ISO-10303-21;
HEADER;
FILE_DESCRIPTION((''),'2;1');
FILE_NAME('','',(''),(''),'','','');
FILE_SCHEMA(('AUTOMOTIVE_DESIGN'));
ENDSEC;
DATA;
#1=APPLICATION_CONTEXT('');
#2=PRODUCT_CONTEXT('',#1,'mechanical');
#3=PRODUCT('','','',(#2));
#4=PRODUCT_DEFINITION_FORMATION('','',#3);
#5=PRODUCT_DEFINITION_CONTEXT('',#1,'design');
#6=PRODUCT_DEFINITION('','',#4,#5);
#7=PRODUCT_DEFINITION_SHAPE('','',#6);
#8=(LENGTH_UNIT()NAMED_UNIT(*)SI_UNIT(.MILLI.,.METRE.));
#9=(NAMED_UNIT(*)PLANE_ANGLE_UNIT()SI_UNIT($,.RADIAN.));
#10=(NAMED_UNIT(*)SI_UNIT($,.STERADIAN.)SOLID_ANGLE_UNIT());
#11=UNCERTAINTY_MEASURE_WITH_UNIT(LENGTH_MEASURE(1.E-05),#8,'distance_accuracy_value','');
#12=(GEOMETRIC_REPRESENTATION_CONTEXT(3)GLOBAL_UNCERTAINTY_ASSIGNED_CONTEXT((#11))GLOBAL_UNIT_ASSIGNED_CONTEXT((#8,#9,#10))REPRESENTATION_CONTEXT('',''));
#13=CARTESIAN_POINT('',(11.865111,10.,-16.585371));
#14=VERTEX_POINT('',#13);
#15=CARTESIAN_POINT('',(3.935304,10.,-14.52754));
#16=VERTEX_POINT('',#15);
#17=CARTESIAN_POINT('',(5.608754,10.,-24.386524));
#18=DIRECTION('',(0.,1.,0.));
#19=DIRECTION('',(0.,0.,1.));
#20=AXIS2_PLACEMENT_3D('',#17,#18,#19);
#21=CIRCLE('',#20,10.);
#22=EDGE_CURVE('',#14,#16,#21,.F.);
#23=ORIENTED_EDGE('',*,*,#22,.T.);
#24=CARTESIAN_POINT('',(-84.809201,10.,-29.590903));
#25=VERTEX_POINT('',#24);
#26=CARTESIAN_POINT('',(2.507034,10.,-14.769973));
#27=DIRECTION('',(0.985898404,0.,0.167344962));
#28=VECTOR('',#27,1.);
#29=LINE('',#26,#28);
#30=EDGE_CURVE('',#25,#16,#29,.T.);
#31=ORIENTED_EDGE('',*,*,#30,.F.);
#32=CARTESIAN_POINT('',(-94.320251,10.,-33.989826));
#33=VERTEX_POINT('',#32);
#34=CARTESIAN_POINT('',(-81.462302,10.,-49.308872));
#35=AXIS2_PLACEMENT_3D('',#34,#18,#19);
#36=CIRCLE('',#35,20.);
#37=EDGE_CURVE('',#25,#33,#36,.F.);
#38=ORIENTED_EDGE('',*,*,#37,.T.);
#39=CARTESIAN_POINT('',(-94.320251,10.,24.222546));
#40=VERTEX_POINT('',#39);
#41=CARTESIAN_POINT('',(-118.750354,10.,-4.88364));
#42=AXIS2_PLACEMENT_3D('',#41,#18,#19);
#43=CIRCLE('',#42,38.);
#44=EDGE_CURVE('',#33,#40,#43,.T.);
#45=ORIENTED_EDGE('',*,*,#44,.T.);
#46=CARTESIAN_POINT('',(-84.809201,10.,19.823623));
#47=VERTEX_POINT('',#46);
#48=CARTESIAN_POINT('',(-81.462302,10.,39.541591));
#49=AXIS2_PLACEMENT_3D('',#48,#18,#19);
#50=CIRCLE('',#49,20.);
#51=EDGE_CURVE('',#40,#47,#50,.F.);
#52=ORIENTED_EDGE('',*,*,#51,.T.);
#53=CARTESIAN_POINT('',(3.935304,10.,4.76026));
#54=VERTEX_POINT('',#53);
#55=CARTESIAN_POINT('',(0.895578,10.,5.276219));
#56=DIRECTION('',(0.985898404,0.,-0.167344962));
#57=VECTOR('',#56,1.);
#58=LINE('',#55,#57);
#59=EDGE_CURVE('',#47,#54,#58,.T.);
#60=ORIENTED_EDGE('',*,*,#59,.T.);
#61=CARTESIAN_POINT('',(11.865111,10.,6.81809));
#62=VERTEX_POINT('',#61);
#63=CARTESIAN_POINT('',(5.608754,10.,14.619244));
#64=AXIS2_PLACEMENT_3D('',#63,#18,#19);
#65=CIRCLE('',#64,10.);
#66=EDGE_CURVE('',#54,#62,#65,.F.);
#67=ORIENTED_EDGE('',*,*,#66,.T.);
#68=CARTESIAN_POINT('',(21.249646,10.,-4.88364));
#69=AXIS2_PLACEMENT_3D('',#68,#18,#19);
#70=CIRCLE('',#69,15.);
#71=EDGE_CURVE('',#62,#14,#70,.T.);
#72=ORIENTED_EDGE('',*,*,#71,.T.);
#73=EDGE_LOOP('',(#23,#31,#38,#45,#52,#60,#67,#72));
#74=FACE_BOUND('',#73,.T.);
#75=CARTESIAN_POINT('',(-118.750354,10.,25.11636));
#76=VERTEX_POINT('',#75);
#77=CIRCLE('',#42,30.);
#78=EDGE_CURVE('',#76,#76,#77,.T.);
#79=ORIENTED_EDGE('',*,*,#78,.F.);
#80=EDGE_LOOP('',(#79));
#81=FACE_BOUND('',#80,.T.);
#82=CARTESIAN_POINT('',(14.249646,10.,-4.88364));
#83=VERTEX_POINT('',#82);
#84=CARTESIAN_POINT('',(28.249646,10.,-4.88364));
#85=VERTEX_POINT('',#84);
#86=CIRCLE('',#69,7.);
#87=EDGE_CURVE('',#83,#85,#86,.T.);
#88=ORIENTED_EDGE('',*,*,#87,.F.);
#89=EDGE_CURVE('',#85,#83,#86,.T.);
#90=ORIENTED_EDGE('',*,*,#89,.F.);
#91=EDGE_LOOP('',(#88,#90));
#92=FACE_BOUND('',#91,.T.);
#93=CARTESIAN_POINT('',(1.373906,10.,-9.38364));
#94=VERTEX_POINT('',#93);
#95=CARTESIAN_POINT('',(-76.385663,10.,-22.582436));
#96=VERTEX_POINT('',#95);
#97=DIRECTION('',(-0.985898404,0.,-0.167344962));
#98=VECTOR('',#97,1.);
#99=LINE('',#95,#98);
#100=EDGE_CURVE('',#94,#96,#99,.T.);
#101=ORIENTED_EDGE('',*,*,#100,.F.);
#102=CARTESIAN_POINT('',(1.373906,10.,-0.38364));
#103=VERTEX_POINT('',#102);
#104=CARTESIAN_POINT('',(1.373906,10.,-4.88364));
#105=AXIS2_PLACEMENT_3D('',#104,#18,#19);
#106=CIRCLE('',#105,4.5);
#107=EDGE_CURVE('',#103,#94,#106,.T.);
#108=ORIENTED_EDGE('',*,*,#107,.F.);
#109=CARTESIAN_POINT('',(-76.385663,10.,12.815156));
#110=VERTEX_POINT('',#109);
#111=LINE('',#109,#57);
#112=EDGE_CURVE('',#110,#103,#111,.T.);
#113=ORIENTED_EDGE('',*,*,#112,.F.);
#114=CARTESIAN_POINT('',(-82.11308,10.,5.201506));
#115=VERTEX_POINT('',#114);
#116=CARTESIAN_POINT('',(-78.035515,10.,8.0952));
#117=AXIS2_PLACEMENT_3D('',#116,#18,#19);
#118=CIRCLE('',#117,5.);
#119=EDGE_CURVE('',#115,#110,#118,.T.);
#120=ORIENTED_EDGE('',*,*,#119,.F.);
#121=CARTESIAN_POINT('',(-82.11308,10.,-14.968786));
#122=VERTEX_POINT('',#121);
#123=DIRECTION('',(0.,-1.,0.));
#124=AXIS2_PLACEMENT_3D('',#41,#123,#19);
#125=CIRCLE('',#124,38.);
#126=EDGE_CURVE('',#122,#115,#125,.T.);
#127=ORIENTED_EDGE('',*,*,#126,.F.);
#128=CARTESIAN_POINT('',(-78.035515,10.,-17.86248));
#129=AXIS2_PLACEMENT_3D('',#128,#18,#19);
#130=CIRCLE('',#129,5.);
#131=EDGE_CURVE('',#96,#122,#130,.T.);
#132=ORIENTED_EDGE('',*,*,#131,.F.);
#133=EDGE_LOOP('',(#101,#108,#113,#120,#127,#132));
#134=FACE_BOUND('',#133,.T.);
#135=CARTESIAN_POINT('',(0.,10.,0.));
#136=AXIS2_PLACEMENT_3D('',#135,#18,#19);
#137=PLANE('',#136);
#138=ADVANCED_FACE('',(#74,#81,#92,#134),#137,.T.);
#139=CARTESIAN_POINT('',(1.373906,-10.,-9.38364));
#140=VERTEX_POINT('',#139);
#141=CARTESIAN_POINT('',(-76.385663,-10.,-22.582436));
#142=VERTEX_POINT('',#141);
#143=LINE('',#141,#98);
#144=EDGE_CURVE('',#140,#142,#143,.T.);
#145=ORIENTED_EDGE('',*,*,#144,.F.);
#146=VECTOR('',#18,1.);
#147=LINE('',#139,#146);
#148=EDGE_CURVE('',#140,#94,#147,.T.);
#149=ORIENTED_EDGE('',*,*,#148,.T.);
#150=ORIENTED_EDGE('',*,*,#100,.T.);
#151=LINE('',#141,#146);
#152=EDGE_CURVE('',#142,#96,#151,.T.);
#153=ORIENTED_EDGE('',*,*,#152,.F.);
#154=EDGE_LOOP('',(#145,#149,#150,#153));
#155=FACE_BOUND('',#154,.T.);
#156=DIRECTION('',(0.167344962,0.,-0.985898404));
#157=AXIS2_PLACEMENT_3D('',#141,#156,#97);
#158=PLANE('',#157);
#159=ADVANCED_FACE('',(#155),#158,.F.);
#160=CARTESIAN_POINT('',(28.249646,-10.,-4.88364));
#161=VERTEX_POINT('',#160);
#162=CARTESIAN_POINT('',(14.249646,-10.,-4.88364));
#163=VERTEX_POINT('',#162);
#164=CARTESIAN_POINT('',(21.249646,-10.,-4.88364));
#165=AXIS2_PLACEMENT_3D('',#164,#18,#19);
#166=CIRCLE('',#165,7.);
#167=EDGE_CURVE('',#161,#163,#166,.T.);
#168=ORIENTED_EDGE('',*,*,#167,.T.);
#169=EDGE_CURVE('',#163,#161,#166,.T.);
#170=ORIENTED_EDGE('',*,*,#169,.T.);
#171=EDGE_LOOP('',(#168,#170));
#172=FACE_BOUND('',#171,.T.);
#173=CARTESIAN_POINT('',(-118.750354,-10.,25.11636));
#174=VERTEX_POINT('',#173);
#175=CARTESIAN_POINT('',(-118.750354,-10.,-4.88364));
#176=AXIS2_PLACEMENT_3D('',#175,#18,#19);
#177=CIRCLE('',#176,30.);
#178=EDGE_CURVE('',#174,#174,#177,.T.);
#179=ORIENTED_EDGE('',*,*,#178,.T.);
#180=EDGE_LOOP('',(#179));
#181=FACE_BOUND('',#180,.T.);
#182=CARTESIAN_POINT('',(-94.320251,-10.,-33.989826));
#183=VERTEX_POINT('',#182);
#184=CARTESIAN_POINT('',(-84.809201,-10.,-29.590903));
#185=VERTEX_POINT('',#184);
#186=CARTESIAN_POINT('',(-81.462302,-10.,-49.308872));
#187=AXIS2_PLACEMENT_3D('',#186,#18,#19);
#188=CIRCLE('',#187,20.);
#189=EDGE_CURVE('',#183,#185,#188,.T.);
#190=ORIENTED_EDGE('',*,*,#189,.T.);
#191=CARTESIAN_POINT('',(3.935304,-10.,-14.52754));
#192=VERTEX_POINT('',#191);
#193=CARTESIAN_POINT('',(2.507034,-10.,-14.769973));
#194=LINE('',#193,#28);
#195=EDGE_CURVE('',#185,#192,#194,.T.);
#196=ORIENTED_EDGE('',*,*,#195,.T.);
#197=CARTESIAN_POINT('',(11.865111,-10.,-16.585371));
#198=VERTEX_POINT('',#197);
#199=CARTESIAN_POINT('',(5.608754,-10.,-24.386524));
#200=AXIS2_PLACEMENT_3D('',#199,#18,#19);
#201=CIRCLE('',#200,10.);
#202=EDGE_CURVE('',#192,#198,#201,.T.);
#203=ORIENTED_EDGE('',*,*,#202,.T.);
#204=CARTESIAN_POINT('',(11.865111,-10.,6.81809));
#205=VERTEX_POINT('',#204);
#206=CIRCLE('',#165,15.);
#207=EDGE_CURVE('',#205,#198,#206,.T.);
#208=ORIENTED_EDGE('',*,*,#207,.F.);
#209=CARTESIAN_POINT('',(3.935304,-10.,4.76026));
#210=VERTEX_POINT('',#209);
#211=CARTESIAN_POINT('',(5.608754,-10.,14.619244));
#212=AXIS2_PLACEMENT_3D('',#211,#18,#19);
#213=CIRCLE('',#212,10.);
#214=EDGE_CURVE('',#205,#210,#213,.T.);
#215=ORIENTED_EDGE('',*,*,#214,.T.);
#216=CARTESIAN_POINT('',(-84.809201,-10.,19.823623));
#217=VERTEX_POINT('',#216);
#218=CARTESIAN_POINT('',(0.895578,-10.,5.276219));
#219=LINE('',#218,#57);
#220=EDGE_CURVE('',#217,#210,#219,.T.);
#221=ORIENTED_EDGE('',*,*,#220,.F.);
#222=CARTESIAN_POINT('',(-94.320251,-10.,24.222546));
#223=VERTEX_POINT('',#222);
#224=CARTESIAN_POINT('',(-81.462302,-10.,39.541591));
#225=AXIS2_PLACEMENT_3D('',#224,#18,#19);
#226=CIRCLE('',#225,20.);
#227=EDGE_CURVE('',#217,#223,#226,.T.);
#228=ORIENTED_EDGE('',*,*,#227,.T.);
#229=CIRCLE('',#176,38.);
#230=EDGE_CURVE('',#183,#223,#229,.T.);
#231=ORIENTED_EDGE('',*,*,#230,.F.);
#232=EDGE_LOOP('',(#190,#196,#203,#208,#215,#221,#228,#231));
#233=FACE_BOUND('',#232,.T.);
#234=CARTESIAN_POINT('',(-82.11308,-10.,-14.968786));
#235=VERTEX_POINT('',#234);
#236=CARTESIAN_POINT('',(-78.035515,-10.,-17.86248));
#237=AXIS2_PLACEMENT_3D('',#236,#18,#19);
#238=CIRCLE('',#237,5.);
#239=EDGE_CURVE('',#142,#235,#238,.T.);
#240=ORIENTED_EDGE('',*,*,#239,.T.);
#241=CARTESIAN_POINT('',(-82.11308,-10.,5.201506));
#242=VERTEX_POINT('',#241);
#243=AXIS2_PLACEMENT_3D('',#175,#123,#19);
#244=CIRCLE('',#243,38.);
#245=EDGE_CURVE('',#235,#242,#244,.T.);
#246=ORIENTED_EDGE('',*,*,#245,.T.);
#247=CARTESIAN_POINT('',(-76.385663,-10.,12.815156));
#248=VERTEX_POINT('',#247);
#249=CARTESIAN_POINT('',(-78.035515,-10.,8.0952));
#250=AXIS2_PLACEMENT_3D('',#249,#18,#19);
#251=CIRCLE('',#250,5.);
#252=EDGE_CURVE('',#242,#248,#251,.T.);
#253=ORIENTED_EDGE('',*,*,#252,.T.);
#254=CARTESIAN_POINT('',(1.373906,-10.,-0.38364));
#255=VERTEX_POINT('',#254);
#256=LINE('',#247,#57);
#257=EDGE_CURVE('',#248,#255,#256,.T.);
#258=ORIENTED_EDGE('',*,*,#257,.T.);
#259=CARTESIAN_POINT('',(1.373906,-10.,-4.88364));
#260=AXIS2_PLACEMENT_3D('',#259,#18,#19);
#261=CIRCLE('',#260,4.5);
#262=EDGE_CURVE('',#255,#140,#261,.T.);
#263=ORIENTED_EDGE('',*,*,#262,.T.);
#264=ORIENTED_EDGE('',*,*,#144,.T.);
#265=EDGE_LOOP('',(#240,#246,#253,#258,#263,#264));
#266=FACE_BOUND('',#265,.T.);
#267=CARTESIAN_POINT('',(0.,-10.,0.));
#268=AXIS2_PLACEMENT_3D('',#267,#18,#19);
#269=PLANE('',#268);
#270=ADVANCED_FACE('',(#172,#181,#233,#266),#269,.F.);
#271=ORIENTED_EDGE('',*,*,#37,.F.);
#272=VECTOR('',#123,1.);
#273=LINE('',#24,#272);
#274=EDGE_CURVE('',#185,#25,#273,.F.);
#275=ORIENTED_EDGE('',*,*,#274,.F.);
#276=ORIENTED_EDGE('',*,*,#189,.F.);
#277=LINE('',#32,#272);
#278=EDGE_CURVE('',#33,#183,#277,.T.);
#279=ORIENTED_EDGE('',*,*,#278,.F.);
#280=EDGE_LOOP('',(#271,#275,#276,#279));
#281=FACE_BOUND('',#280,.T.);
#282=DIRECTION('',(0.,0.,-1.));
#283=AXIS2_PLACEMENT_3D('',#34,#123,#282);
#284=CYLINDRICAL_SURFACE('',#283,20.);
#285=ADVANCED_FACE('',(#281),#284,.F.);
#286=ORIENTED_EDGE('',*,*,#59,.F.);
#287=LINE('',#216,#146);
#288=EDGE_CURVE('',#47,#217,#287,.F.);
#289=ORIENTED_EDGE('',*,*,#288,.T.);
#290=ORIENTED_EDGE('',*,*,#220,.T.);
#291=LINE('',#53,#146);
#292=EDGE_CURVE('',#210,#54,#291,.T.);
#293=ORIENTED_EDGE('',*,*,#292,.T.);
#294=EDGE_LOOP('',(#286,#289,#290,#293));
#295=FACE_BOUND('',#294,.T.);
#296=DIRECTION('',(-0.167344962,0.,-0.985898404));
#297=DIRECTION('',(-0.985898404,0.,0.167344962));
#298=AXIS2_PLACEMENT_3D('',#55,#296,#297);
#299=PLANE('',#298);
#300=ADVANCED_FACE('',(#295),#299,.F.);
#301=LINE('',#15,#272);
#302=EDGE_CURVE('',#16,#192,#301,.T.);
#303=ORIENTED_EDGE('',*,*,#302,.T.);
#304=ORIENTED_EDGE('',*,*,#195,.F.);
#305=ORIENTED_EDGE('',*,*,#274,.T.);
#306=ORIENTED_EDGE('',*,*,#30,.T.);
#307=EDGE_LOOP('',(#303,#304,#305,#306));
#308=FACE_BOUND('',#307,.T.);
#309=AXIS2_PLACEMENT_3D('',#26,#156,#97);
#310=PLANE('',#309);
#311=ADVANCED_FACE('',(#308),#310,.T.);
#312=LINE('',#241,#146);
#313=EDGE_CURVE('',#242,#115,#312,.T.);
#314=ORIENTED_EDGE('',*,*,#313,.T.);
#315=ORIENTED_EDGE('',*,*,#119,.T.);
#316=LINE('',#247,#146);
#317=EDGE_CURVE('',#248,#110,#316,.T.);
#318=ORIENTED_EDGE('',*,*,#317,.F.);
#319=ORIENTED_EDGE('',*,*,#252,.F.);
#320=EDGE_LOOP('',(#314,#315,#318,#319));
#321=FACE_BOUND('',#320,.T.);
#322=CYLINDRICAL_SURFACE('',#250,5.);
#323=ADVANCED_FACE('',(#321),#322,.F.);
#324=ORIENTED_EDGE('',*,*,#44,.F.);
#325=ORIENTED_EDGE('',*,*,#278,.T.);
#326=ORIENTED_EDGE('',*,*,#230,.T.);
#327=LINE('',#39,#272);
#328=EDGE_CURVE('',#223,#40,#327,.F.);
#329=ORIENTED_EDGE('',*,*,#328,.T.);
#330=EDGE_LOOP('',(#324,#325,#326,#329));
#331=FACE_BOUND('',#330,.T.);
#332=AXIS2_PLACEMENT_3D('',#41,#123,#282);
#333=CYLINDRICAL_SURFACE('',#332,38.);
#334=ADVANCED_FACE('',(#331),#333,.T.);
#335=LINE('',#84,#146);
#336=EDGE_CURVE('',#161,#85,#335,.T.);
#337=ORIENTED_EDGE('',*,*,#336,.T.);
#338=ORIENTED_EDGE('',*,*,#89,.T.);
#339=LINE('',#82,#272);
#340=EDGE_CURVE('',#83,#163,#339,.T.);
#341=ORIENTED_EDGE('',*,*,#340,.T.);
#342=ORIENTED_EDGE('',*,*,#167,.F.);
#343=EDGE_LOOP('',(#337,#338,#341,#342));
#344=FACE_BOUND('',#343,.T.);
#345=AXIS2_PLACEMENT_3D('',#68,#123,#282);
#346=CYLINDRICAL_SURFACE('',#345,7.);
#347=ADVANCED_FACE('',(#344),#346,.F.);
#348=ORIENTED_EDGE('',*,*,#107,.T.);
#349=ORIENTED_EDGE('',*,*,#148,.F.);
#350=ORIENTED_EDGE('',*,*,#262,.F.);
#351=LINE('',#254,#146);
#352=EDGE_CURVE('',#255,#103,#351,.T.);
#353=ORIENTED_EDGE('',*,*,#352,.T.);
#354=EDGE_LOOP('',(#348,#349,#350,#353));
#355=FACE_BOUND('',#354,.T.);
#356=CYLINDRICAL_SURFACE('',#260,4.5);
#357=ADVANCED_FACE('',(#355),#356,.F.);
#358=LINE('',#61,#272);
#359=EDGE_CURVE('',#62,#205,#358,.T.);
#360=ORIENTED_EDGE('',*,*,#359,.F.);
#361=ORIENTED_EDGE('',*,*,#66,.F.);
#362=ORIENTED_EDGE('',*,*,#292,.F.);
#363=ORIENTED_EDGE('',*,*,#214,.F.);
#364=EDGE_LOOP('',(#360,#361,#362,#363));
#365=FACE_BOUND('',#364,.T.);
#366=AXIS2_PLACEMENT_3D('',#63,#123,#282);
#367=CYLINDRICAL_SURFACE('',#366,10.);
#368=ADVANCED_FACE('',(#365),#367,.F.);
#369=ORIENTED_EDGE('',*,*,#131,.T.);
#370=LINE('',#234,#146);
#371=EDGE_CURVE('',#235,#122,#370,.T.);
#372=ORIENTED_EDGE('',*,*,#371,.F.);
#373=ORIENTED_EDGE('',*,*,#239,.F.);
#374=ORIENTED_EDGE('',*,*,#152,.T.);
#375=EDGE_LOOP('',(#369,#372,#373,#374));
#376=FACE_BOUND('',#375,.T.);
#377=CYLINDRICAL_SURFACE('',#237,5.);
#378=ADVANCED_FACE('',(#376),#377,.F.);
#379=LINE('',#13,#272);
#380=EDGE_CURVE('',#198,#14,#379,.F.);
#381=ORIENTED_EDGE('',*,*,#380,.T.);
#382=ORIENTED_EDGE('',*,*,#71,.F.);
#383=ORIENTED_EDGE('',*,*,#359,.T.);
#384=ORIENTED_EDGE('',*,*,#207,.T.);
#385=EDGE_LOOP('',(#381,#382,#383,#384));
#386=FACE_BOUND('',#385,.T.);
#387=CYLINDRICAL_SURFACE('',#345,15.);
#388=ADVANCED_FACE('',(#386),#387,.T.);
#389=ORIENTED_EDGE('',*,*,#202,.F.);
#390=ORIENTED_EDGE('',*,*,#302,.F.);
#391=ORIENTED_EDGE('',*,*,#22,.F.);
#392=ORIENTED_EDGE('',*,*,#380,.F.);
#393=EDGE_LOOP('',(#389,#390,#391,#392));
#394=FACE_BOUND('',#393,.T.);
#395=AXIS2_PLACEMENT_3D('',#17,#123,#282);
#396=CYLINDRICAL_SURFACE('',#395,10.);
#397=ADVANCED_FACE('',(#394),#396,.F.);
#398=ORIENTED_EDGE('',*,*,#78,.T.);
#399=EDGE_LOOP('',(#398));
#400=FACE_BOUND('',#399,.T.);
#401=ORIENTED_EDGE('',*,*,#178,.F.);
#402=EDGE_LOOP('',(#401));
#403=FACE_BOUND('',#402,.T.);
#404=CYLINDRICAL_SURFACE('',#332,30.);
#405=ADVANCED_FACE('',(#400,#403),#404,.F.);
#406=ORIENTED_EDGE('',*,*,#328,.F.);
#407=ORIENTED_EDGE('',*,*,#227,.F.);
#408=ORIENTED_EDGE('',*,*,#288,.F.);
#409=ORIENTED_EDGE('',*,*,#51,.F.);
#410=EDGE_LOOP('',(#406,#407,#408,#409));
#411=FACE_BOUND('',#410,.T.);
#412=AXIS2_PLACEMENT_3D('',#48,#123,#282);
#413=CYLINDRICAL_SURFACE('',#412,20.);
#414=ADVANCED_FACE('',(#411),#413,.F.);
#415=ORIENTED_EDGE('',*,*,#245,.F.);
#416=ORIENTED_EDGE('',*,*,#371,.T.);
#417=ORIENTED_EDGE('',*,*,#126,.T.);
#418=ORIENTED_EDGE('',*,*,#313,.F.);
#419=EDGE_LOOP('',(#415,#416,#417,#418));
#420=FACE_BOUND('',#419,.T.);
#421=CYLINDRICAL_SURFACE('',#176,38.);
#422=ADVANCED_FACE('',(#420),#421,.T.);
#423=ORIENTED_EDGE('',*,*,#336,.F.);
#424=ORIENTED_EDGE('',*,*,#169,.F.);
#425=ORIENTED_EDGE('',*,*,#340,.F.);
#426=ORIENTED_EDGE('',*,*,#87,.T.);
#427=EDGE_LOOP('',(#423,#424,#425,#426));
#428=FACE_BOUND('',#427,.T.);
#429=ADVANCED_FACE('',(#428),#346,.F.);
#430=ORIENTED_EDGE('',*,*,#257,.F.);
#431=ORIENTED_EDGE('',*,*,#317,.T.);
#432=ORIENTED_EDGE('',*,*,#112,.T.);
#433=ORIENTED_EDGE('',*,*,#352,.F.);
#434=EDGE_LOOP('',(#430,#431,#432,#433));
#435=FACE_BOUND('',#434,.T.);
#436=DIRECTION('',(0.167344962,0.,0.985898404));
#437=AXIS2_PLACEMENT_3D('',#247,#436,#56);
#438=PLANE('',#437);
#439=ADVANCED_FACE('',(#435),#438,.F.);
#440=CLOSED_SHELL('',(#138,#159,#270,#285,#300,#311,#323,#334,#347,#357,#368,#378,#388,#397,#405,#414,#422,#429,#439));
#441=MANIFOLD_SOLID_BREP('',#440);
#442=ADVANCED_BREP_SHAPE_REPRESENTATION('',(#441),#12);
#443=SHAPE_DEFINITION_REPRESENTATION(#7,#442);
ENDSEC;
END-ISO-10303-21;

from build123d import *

# Parameters (mm, degrees)
SKETCH1_R           = 30
SKETCH1_R_2         = 7
BOSS_EXTRUDE1_DEPTH = 10
FILLET1_R           = 10
FILLET2_R           = 20
CUT_EXTRUDE1_DEPTH  = 21


with BuildPart() as part:
    # Sketch1 → Boss-Extrude1 (new body, symmetric)
    with BuildSketch(Plane(origin=(0, 0, 0), x_dir=(1, 0, 0), z_dir=(0, 1, 0))):
        with BuildLine():
            Line((9.080898408, 13.654134499), (-90.777819418, 30.604008061))
            ThreePointArc((-90.777819418, 30.604008061), (-156.75035362, 4.883640056), (-90.777819418, -20.836727949))
            Line((-90.777819418, -20.836727949), (9.080898408, -3.886854388))
            ThreePointArc((9.080898408, -3.886854388), (36.24964638, 4.883640056), (9.080898408, 13.654134499))
        make_face()
        with Locations((-118.75035362, 4.883640056)):
            Circle(SKETCH1_R, mode=Mode.SUBTRACT)
        with Locations((21.24964638, 4.883640056)):
            Circle(SKETCH1_R_2, mode=Mode.SUBTRACT)
    extrude(amount=BOSS_EXTRUDE1_DEPTH, both=True)

    # Fillet1
    fillet1_edges = [part.edges().sort_by_distance(p)[0] for p in [
        (9.080898408, 0, -13.654134499),
        (9.080898408, 0, 3.886854388),
    ]]
    fillet(fillet1_edges, radius=FILLET1_R)

    # Fillet2
    fillet2_edges = [part.edges().sort_by_distance(p)[0] for p in [
        (-90.777819418, 0, 20.836727949),
        (-90.777819418, 0, -30.604008061),
    ]]
    fillet(fillet2_edges, radius=FILLET2_R)

    # Sketch2 → Cut-Extrude1 (cut, through all)
    with BuildSketch(Plane(origin=(0, 10, 0), x_dir=(1, 0, 0), z_dir=(0, 1, 0))):
        with BuildLine():
            Line((-76.385663344, 22.582436294), (1.373906039, 9.383640056))
            ThreePointArc((1.373906039, 9.383640056), (5.873906039, 4.883640056), (1.373906039, 0.383640056))
            Line((1.373906039, 0.383640056), (-76.385663344, -12.815156183))
            ThreePointArc((-76.385663344, -12.815156183), (-82.031183012, -11.100966392), (-82.113079878, -5.201506089))
            ThreePointArc((-82.113079878, -5.201506089), (-80.75035362, 4.883640056), (-82.113079878, 14.968786201))
            ThreePointArc((-82.113079878, 14.968786201), (-82.031183012, 20.868246504), (-76.385663344, 22.582436294))
        make_face()
    extrude(amount=-CUT_EXTRUDE1_DEPTH, mode=Mode.SUBTRACT)


solid = part.part
